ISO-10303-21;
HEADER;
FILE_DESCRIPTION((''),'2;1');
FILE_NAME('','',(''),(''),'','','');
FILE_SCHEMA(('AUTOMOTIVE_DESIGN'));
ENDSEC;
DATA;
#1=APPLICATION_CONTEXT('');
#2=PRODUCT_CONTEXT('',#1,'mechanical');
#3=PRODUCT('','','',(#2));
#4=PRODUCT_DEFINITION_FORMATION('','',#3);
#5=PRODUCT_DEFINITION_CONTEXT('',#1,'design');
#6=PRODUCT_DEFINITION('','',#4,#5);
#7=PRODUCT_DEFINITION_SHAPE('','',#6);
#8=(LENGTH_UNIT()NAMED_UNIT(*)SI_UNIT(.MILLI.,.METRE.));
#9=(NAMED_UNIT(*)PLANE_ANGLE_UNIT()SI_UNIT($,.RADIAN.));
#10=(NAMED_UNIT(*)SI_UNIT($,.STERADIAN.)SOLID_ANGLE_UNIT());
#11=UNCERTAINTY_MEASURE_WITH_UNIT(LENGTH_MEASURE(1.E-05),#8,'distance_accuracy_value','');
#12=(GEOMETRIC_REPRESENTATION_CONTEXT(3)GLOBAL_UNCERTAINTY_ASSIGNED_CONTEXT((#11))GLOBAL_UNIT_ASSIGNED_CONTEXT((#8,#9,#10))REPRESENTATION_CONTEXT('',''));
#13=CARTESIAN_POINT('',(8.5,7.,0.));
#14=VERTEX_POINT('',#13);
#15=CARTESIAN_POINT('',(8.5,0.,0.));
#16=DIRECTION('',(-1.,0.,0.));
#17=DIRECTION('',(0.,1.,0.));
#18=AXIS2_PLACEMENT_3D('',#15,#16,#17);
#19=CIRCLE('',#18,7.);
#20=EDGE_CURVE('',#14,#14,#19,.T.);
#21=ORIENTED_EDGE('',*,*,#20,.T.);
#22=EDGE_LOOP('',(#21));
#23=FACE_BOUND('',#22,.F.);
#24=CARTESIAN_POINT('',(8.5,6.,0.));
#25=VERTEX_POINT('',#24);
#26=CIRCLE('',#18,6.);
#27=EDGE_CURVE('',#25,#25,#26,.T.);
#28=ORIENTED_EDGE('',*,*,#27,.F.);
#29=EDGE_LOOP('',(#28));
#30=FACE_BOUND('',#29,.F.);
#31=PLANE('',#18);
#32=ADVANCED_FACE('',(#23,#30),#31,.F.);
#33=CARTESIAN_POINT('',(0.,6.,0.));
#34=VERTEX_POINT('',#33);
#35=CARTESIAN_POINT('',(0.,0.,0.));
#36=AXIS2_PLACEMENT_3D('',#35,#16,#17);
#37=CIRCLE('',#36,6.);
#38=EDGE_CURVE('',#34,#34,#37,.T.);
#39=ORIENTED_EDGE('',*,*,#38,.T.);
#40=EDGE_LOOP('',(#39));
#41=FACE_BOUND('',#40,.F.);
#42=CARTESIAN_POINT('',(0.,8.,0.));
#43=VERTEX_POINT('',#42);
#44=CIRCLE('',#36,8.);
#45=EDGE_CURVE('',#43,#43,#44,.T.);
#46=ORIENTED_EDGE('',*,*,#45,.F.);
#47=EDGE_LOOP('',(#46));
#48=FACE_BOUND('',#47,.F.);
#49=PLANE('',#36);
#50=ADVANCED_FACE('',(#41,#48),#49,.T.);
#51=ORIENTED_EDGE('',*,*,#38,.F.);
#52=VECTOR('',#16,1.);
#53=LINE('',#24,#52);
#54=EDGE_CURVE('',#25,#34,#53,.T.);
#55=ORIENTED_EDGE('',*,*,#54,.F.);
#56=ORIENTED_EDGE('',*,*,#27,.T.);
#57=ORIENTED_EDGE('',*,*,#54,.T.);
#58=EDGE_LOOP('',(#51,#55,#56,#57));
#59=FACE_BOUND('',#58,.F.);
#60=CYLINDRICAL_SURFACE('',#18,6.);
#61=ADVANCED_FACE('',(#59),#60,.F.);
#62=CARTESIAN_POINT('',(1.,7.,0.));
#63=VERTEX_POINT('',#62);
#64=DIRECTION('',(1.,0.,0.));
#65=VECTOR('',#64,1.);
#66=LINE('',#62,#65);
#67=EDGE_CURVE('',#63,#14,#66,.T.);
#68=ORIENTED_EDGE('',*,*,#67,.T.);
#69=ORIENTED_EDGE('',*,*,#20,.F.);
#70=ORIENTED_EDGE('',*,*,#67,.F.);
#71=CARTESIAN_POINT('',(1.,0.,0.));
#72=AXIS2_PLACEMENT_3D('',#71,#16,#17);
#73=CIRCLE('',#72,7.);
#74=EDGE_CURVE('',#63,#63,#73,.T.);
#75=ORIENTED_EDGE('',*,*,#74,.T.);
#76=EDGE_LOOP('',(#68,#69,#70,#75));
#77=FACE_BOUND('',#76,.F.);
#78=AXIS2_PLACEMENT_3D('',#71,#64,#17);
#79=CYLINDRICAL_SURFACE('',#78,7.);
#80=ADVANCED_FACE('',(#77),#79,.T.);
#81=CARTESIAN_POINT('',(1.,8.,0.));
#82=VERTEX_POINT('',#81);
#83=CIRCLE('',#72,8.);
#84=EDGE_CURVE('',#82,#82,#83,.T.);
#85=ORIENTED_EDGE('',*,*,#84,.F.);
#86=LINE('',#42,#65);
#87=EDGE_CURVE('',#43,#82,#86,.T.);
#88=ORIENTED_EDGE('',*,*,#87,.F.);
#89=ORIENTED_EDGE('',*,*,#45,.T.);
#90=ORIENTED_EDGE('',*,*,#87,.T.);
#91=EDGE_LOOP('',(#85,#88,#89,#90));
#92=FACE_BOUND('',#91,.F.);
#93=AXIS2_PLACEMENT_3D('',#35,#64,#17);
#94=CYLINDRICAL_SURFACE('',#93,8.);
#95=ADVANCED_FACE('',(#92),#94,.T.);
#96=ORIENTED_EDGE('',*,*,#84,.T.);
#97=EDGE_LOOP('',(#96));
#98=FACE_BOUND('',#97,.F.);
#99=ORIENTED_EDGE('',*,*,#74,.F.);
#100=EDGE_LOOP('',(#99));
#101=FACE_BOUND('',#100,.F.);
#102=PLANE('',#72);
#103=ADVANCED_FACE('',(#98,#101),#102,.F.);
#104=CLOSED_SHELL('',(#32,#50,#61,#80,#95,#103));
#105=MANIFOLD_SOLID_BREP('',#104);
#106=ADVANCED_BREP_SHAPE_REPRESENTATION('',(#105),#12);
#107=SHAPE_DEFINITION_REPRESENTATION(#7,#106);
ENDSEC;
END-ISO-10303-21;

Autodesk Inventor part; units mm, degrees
ref_plane "YZ Plane" through (0, 0, 0) normal (1, 0, 0) x (0, 1, 0)
ref_plane "XZ Plane" through (0, 0, 0) normal (0, 1, 0) x (-1, 0, 0)
ref_plane "XY Plane" through (0, 0, 0) normal (0, 0, 1) x (1, 0, 0)
sketch "Sketch1" plane through (0, 0, 0) normal (0, 0, 1) x (1, 0, 0)
  line L0 (0, 6) -> (0, 8)
  line L1 (0, 8) -> (1, 8)
  line L2 (1, 8) -> (1, 7)
  line L3 (1, 7) -> (8.5, 7)
  line L4 (8.5, 7) -> (8.5, 6)
  line L5 (8.5, 0) -> (0, 0)
  line L6 (8.5, 7) -> (8.5, 6)
  line L7 (8.5, 6) -> (0, 6)
  dimension "d0" = 8
  dimension "d1" = 1
  dimension "d2" = 1
  dimension "d3" = 7.5
  dimension "d4" = 1
revolve "Revolution1" add sketch "Sketch1" angle 360 about axis through (8.5, 0, 0) along (-1, 0, 0)
properties part number "druckhusel" material "Steel, Mild"
